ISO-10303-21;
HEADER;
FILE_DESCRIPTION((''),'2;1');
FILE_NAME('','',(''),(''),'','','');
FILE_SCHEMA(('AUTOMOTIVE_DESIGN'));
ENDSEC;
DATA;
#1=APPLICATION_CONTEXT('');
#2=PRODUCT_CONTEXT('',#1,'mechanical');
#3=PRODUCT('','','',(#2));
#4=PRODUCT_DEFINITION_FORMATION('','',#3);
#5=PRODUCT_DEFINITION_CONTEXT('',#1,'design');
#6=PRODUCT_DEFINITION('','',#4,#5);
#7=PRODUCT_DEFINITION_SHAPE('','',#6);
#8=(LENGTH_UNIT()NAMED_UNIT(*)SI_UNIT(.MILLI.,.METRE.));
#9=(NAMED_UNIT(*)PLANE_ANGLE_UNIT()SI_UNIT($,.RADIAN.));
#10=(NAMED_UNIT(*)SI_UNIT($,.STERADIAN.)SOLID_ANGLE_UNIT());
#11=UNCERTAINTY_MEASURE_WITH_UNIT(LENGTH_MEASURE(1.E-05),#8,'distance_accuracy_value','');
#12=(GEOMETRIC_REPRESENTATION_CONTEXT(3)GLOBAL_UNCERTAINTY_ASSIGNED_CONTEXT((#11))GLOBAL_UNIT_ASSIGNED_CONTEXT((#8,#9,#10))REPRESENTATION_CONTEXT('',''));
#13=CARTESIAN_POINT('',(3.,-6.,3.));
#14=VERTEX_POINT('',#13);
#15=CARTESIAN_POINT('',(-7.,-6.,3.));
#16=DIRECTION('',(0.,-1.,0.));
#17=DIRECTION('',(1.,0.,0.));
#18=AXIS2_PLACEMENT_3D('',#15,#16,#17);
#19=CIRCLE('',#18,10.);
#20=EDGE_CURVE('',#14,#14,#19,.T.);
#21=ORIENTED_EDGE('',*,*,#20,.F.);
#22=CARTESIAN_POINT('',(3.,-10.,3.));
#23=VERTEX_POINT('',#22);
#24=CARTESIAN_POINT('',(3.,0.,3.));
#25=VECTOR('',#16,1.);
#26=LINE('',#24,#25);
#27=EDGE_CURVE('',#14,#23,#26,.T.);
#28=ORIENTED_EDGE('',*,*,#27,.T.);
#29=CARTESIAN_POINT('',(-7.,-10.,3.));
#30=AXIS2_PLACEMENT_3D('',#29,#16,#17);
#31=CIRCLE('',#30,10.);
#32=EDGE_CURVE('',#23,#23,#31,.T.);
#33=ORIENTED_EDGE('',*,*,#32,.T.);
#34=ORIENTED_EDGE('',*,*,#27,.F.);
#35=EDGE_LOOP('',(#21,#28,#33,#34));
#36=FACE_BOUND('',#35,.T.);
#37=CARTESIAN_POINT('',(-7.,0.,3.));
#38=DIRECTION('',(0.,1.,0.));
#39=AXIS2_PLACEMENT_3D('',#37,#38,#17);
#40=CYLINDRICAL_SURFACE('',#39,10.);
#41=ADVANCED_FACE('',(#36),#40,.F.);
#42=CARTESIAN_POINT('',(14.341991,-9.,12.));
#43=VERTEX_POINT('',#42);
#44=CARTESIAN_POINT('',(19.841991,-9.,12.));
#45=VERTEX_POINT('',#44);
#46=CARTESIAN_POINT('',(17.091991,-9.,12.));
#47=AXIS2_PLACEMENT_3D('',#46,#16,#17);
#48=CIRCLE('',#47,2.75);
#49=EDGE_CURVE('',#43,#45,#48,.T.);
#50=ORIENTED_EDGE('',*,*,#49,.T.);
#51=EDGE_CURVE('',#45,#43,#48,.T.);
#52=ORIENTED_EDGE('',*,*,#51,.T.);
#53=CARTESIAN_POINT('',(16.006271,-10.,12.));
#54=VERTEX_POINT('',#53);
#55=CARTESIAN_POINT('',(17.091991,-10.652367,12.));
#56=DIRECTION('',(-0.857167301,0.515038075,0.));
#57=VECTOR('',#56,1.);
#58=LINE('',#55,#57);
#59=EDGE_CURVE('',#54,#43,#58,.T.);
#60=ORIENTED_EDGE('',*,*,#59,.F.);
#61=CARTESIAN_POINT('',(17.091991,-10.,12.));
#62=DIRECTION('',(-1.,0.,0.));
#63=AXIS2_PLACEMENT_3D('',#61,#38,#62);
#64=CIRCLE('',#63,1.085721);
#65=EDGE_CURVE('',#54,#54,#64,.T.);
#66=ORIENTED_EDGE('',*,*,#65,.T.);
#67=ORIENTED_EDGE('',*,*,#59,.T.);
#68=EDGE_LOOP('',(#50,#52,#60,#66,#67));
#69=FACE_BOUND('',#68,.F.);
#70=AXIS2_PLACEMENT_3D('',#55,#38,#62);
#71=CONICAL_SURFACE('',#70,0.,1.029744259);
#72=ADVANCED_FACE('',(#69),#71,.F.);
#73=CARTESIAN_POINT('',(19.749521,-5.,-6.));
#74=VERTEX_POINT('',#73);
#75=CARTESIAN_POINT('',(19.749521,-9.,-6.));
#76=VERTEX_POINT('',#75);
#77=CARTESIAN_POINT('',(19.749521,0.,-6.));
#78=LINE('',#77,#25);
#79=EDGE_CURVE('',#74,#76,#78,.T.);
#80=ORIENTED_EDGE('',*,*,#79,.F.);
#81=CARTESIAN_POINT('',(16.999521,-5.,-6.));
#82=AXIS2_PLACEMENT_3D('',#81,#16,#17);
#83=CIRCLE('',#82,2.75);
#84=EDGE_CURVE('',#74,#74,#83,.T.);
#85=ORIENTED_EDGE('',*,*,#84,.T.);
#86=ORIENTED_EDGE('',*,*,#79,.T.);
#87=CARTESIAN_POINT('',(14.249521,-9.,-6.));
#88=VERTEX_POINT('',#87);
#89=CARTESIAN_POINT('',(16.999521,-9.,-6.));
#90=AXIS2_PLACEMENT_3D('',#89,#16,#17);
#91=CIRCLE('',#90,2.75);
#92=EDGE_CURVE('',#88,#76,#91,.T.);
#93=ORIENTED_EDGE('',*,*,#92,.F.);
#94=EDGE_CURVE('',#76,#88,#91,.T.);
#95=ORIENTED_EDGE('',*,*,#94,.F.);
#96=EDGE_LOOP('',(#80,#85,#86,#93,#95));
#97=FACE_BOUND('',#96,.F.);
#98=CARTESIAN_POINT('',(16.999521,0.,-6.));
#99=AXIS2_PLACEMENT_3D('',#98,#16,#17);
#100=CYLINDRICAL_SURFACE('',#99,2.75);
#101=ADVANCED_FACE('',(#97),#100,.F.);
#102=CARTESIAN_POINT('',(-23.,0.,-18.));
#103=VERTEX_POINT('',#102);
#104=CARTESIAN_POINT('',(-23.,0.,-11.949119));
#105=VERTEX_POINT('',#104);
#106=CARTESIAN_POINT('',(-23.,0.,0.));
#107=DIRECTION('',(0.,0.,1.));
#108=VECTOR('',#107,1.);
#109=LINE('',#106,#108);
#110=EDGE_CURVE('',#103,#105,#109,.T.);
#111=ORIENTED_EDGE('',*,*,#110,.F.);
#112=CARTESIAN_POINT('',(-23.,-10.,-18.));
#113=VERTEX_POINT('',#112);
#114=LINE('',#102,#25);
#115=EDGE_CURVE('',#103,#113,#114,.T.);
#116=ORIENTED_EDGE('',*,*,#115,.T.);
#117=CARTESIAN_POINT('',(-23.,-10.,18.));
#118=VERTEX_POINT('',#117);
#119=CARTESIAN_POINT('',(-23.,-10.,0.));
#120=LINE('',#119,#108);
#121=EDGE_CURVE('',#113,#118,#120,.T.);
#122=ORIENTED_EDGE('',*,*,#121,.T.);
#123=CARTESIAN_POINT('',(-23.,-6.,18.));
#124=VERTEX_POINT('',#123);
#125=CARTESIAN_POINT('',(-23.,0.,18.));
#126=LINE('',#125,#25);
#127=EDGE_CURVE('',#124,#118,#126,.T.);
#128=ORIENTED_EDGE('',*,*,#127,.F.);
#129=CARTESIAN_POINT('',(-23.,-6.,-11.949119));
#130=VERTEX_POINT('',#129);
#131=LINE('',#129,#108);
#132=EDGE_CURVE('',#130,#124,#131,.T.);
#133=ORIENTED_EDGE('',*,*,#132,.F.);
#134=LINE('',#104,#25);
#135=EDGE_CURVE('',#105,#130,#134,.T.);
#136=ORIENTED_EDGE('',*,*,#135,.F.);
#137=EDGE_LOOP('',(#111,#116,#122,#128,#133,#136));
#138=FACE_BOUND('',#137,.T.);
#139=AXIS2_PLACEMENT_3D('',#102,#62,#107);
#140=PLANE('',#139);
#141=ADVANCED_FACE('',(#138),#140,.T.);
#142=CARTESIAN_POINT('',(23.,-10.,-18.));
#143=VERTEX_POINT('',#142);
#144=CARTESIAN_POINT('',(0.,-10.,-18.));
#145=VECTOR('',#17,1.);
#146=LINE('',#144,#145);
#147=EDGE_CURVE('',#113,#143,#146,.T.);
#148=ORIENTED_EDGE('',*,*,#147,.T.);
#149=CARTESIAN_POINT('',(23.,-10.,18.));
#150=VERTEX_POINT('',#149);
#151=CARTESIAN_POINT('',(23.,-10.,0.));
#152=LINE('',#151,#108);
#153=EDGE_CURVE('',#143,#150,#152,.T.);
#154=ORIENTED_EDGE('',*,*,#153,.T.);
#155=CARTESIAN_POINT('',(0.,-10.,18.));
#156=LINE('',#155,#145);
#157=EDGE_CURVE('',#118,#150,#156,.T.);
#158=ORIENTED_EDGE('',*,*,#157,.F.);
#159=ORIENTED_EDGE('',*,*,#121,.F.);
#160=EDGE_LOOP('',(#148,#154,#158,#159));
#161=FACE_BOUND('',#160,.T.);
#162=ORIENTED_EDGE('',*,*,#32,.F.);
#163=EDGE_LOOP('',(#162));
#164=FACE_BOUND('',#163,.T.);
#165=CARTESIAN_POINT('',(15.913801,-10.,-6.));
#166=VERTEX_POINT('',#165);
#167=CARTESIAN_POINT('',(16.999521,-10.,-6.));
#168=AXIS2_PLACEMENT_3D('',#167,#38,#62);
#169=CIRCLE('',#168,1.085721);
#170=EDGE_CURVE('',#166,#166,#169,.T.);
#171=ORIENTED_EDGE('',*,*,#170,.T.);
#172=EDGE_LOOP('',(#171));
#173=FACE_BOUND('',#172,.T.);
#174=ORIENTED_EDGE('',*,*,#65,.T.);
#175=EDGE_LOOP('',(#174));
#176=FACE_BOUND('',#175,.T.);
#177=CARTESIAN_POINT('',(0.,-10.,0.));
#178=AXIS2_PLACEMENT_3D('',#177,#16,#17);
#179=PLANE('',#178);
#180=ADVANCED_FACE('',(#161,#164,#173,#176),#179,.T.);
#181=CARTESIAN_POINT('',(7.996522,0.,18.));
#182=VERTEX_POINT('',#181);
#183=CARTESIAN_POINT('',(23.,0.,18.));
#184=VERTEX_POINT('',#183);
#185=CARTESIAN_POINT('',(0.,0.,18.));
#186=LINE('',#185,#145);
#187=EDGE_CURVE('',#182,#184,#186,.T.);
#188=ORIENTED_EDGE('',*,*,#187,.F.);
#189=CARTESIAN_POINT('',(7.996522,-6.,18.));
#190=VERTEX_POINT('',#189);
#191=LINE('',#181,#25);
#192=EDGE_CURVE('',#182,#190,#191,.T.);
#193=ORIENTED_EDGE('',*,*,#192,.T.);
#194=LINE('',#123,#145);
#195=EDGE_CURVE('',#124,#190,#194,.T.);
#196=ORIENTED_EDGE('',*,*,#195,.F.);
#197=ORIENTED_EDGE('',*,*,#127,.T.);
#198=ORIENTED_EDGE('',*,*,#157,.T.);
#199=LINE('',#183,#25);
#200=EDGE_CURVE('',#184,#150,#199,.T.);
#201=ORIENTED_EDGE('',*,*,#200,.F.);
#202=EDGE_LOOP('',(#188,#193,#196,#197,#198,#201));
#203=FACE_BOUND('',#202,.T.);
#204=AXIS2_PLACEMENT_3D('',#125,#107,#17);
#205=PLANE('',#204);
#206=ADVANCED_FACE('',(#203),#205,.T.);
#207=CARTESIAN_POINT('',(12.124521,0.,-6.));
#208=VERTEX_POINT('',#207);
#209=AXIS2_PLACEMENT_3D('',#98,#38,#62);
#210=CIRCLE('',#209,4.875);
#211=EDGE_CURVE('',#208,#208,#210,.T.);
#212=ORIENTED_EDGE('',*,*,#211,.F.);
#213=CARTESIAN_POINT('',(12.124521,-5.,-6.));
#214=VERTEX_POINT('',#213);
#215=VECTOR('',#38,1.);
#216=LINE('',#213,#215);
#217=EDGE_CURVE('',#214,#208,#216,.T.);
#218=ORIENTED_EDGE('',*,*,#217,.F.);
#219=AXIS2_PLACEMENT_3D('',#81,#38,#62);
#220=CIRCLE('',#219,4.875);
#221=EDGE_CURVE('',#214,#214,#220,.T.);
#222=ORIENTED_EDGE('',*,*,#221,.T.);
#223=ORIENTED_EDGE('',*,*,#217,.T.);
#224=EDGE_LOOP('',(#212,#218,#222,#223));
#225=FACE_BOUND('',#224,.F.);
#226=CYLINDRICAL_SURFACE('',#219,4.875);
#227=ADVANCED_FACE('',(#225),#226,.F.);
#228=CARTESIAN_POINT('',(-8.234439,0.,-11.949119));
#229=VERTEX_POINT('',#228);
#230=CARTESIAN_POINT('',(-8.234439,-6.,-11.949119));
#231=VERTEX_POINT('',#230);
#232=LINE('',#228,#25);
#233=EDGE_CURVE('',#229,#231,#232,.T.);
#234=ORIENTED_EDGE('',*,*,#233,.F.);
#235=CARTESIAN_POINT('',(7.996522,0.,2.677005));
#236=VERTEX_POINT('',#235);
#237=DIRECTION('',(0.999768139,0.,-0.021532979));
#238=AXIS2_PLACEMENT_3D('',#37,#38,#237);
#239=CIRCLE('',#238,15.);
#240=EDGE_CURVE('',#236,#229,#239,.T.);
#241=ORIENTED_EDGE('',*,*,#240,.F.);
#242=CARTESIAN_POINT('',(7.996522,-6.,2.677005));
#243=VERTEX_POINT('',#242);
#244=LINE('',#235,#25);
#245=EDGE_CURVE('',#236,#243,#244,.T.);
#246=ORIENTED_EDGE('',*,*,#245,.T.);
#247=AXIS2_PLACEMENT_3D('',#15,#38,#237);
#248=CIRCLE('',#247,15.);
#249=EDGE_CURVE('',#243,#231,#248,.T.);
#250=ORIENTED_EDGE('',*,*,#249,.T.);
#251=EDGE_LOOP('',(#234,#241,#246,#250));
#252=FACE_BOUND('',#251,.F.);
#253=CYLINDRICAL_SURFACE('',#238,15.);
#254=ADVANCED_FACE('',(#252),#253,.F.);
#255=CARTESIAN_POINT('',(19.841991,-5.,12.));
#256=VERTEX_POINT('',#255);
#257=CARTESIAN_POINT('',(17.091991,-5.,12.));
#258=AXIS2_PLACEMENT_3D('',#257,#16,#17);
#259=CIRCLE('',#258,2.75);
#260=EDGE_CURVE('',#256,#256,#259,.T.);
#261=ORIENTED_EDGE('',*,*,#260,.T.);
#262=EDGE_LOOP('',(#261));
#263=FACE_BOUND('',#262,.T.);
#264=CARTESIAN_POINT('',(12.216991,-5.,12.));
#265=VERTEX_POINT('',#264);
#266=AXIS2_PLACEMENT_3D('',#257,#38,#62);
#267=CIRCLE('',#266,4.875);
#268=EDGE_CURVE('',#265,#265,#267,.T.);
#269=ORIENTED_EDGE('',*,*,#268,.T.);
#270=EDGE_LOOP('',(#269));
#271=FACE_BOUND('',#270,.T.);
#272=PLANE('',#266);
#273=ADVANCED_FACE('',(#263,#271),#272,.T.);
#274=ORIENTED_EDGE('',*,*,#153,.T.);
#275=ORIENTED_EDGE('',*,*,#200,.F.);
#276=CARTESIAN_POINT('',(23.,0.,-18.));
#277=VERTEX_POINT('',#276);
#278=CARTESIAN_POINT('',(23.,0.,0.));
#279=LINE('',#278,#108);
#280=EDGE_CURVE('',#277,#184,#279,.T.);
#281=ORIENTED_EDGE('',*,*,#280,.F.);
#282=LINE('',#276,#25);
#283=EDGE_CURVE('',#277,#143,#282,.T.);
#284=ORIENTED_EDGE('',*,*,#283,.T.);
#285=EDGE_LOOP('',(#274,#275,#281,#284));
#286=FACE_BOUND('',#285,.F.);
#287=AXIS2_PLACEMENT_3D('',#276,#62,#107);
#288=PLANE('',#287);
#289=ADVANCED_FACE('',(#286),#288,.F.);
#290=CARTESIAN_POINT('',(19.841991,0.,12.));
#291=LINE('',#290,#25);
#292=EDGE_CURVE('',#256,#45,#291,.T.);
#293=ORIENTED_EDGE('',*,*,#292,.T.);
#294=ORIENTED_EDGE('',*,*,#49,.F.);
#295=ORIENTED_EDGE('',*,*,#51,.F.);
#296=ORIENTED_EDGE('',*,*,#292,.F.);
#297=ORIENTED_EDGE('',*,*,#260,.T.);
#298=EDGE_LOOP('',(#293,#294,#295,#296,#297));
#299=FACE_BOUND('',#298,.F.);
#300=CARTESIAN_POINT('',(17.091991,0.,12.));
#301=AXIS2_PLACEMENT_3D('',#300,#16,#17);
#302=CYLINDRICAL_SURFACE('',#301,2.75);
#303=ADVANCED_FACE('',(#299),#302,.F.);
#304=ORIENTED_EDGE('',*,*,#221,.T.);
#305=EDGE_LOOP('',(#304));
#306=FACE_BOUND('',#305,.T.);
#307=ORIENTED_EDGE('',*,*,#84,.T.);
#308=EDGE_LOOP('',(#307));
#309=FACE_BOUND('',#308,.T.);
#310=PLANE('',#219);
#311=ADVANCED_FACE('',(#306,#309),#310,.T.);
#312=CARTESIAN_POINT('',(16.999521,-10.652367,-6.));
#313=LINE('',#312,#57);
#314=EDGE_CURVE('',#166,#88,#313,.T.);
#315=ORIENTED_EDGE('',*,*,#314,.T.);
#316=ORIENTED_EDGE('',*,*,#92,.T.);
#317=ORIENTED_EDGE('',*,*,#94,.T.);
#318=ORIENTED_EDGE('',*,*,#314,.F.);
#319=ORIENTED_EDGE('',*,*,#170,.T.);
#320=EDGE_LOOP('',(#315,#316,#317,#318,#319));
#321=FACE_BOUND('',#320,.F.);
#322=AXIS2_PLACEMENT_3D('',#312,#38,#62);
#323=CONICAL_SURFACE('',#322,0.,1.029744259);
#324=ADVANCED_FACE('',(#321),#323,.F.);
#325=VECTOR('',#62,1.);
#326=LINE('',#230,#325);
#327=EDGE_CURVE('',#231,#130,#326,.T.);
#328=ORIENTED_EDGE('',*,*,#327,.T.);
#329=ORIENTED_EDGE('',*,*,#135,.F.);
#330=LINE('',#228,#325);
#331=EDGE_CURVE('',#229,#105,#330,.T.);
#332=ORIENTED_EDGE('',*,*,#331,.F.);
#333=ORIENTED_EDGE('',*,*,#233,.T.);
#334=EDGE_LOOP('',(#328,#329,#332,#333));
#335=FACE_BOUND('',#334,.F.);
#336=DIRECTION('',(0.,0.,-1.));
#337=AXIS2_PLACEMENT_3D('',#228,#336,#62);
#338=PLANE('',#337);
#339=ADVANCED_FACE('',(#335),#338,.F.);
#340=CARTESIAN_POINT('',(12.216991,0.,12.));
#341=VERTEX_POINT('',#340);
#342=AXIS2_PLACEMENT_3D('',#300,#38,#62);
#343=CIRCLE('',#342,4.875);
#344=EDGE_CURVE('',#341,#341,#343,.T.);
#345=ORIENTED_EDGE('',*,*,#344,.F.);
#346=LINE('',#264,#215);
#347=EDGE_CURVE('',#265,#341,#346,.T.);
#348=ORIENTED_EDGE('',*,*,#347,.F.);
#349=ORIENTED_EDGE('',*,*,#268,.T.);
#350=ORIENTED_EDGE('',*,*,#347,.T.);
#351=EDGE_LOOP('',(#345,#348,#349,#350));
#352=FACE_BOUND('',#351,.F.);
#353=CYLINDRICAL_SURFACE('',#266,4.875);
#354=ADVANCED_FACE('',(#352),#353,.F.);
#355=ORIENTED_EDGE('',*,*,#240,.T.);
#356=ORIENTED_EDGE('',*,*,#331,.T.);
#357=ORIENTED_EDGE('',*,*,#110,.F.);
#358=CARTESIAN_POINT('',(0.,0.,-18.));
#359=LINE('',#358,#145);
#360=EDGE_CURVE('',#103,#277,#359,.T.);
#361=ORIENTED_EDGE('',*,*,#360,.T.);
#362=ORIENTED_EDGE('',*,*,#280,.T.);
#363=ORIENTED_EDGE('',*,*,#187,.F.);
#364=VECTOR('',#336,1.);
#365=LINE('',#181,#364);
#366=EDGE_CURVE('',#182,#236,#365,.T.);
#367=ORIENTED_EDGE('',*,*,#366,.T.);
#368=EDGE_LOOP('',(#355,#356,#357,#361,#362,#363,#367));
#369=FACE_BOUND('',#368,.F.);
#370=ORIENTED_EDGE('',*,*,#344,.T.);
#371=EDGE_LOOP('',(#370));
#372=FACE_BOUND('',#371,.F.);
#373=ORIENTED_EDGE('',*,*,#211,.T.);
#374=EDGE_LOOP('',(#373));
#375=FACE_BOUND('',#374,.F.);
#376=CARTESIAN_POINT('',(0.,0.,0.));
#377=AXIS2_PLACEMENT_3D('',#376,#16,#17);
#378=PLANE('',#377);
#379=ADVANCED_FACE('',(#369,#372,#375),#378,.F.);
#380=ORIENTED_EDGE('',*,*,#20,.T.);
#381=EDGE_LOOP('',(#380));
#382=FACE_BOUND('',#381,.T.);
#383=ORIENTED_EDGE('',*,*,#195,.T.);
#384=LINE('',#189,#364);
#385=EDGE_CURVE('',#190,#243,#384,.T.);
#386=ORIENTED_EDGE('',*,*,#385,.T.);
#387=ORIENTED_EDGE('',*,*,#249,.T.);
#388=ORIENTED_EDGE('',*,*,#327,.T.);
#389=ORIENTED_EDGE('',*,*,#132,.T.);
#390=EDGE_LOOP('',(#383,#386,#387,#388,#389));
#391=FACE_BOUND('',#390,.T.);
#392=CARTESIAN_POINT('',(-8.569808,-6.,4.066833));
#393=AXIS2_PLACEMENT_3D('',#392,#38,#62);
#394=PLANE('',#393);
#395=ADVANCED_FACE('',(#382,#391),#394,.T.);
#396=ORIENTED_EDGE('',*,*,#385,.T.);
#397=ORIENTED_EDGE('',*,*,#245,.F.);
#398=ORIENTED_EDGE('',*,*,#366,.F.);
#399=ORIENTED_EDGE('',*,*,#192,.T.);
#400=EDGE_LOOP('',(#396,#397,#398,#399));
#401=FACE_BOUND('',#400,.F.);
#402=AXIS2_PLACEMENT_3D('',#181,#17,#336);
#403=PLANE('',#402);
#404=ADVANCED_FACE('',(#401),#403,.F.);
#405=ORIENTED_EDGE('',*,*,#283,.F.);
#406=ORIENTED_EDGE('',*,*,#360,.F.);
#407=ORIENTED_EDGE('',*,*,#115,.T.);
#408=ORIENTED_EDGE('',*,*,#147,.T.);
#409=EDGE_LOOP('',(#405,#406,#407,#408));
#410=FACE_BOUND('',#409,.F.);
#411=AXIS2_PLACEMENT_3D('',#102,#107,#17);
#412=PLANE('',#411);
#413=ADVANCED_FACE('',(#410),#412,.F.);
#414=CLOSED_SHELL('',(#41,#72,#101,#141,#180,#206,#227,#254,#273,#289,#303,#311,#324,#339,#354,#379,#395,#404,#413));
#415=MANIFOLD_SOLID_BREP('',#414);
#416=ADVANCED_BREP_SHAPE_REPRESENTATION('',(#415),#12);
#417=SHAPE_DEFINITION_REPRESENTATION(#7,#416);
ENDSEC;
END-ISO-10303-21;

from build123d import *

# Parameters (mm, degrees)
F0_W           = 46
F0_H           = 36
F0_R           = 10
F1_DEPTH       = 10
F3_D           = 5.5
F3_DEPTH       = 9
F3_CBORE_D     = 9.75
F3_CBORE_DEPTH = 5
F3_TIP         = 1.6523667023
F4_R           = 10
F5_DEPTH       = 6


with BuildPart() as f1:
    # F0 (on Front) → F1 (new body)
    with BuildSketch(Plane.XZ):
        Rectangle(F0_W, F0_H)
        with Locations((-7, 3)):
            Circle(F0_R, mode=Mode.SUBTRACT)
    extrude(amount=F1_DEPTH)

    # F3
    with Locations(Plane(origin=(0, 0, 0), x_dir=(-1, 0, 0), z_dir=(0, 1, 0))):
        with Locations((-17.0919913413, 12), (-16.9995214964, -6)):
            CounterBoreHole(F3_D / 2, F3_CBORE_D / 2, F3_CBORE_DEPTH, depth=F3_DEPTH)
            with Locations((0, 0, -(F3_DEPTH + F3_TIP / 2))):  # 118° drill point
                Cone(0, F3_D / 2, F3_TIP, mode=Mode.SUBTRACT)

    # F4 (on face) → F5 (cut)
    with BuildSketch(Plane(origin=(0, 0, 0), x_dir=(-1, 0, 0), z_dir=(0, 1, 0))):
        with BuildLine():
            Line((-7.9965220779, 18), (-7.9965220779, 3.3229946864))
            Line((-7.9965220779, 3.3229946864), (-7.9965220779, 2.6770053136))
            ThreePointArc((-7.9965220779, 2.6770053136), (-3.0413947673, -8.1431768867), (8.2344393019, -11.9491190245))
            Line((8.2344393019, -11.9491190245), (23, -11.9491190245))
            Line((23, -11.9491190245), (23, 18))
            Line((23, 18), (-7.9965220779, 18))
        make_face()
        with Locations((7, 3)):
            Circle(F4_R, mode=Mode.SUBTRACT)
    extrude(amount=-F5_DEPTH, mode=Mode.SUBTRACT)


solid = f1.part
